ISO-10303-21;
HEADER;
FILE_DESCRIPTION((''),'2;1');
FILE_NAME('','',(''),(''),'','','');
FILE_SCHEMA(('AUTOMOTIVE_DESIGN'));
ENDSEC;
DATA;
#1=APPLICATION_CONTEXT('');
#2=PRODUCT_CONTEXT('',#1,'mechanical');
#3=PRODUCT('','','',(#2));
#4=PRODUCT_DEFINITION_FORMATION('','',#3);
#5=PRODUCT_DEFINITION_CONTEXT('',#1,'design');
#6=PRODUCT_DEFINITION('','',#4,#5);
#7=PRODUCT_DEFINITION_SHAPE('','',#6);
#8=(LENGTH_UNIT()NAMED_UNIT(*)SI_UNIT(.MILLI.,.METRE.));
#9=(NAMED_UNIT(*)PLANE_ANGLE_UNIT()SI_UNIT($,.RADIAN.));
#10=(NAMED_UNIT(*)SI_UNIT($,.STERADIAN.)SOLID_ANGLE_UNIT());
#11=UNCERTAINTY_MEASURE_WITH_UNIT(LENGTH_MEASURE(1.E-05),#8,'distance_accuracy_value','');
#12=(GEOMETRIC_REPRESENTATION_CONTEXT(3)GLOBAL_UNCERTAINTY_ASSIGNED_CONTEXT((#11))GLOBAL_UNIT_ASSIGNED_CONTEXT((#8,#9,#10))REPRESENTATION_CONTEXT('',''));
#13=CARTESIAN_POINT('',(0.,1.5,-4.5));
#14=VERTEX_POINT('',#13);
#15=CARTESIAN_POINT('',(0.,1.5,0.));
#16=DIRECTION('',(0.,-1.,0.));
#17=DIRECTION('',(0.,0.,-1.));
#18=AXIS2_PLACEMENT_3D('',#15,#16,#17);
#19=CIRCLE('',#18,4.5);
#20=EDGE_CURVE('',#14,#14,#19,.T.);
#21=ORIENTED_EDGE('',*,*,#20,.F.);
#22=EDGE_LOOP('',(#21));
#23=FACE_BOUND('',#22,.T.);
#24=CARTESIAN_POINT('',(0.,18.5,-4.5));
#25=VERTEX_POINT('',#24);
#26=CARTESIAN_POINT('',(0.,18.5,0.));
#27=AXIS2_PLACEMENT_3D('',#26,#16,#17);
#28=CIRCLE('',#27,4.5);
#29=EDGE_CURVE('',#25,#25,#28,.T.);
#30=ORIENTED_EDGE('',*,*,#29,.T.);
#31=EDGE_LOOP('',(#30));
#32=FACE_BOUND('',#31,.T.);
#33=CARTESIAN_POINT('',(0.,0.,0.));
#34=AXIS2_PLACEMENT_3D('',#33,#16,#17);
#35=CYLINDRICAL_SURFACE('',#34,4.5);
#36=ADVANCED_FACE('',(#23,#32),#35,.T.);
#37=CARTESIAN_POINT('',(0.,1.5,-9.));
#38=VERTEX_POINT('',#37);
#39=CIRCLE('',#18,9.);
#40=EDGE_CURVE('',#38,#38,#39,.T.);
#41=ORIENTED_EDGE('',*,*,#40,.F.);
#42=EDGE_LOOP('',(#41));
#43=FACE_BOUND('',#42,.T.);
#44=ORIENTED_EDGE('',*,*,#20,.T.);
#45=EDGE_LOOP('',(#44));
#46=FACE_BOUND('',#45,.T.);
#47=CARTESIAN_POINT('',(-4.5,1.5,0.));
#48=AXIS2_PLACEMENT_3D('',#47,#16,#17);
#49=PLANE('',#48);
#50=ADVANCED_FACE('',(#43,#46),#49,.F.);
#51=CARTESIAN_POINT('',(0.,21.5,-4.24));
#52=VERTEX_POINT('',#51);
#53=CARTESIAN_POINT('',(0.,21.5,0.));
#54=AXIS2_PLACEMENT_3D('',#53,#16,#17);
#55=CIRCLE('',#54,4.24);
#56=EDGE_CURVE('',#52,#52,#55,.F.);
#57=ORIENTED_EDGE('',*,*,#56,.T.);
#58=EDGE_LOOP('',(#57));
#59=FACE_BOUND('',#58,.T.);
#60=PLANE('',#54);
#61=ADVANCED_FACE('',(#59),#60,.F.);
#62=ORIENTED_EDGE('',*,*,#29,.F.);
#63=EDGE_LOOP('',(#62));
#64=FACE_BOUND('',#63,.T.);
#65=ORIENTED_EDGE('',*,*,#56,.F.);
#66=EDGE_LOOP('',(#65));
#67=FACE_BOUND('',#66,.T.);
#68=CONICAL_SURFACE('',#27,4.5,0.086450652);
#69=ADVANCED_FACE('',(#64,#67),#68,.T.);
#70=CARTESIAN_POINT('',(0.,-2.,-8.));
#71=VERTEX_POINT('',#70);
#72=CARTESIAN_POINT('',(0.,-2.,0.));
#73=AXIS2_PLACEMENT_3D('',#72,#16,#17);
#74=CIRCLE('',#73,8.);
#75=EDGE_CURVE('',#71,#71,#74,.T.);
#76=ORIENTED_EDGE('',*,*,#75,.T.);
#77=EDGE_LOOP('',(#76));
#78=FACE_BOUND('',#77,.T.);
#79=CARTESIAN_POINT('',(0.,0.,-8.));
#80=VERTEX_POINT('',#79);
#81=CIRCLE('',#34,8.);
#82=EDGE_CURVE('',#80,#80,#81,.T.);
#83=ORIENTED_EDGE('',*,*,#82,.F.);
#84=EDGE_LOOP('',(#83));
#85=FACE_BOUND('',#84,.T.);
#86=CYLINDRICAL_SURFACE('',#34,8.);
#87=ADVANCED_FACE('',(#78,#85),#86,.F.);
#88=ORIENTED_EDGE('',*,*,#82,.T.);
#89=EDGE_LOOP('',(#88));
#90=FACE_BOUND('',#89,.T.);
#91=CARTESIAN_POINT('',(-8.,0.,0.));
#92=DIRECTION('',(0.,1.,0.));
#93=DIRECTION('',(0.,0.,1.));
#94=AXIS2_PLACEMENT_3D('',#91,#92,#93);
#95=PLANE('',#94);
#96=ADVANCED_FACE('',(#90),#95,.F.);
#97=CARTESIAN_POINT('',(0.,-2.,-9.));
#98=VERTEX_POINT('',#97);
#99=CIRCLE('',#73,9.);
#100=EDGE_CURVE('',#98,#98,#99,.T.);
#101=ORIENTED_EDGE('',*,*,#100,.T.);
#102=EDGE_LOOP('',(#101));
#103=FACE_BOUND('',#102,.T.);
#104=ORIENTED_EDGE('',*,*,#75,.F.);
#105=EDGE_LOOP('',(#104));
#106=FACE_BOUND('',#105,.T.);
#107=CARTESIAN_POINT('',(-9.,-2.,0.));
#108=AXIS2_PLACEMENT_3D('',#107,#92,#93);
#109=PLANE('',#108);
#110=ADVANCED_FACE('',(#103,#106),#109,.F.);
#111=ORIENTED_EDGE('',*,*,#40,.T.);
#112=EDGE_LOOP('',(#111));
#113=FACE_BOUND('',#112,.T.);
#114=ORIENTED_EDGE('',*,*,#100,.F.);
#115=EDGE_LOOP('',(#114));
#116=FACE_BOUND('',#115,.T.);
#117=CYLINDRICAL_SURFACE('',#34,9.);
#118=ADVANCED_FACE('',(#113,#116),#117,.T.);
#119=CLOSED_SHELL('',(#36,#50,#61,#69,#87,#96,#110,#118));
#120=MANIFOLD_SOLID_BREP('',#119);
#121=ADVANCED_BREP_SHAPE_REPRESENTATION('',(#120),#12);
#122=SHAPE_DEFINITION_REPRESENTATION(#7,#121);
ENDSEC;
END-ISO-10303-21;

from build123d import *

# Parameters (mm, degrees)
CHAMFER_1_SIZE  = 0.26
CHAMFER_1_SIZE2 = 3


with BuildPart() as part:
    # Эскиз1 → Повернуть1 (revolve)
    with BuildSketch(Plane.XY):
        Polygon((0, 0), (0, 21.5), (-4.5, 21.5), (-4.5, 1.5), (-9, 1.5), (-9, -2), (-8, -2), (-8, 0), align=None)
    revolve(axis=Axis((0, 0, 0), (0, 1, 0)))

    # Фаска1
    chamfer_1_edges = [part.edges().sort_by_distance(p)[0] for p in [
        (4.5, 21.5, 0),
    ]]
    chamfer_1_side = [part.faces().sort_by_distance(p)[0] for p in [
        (0, 21.5, 0),
    ]]
    chamfer(chamfer_1_edges, length=CHAMFER_1_SIZE, length2=CHAMFER_1_SIZE2, reference=chamfer_1_side[0])


solid = part.part
